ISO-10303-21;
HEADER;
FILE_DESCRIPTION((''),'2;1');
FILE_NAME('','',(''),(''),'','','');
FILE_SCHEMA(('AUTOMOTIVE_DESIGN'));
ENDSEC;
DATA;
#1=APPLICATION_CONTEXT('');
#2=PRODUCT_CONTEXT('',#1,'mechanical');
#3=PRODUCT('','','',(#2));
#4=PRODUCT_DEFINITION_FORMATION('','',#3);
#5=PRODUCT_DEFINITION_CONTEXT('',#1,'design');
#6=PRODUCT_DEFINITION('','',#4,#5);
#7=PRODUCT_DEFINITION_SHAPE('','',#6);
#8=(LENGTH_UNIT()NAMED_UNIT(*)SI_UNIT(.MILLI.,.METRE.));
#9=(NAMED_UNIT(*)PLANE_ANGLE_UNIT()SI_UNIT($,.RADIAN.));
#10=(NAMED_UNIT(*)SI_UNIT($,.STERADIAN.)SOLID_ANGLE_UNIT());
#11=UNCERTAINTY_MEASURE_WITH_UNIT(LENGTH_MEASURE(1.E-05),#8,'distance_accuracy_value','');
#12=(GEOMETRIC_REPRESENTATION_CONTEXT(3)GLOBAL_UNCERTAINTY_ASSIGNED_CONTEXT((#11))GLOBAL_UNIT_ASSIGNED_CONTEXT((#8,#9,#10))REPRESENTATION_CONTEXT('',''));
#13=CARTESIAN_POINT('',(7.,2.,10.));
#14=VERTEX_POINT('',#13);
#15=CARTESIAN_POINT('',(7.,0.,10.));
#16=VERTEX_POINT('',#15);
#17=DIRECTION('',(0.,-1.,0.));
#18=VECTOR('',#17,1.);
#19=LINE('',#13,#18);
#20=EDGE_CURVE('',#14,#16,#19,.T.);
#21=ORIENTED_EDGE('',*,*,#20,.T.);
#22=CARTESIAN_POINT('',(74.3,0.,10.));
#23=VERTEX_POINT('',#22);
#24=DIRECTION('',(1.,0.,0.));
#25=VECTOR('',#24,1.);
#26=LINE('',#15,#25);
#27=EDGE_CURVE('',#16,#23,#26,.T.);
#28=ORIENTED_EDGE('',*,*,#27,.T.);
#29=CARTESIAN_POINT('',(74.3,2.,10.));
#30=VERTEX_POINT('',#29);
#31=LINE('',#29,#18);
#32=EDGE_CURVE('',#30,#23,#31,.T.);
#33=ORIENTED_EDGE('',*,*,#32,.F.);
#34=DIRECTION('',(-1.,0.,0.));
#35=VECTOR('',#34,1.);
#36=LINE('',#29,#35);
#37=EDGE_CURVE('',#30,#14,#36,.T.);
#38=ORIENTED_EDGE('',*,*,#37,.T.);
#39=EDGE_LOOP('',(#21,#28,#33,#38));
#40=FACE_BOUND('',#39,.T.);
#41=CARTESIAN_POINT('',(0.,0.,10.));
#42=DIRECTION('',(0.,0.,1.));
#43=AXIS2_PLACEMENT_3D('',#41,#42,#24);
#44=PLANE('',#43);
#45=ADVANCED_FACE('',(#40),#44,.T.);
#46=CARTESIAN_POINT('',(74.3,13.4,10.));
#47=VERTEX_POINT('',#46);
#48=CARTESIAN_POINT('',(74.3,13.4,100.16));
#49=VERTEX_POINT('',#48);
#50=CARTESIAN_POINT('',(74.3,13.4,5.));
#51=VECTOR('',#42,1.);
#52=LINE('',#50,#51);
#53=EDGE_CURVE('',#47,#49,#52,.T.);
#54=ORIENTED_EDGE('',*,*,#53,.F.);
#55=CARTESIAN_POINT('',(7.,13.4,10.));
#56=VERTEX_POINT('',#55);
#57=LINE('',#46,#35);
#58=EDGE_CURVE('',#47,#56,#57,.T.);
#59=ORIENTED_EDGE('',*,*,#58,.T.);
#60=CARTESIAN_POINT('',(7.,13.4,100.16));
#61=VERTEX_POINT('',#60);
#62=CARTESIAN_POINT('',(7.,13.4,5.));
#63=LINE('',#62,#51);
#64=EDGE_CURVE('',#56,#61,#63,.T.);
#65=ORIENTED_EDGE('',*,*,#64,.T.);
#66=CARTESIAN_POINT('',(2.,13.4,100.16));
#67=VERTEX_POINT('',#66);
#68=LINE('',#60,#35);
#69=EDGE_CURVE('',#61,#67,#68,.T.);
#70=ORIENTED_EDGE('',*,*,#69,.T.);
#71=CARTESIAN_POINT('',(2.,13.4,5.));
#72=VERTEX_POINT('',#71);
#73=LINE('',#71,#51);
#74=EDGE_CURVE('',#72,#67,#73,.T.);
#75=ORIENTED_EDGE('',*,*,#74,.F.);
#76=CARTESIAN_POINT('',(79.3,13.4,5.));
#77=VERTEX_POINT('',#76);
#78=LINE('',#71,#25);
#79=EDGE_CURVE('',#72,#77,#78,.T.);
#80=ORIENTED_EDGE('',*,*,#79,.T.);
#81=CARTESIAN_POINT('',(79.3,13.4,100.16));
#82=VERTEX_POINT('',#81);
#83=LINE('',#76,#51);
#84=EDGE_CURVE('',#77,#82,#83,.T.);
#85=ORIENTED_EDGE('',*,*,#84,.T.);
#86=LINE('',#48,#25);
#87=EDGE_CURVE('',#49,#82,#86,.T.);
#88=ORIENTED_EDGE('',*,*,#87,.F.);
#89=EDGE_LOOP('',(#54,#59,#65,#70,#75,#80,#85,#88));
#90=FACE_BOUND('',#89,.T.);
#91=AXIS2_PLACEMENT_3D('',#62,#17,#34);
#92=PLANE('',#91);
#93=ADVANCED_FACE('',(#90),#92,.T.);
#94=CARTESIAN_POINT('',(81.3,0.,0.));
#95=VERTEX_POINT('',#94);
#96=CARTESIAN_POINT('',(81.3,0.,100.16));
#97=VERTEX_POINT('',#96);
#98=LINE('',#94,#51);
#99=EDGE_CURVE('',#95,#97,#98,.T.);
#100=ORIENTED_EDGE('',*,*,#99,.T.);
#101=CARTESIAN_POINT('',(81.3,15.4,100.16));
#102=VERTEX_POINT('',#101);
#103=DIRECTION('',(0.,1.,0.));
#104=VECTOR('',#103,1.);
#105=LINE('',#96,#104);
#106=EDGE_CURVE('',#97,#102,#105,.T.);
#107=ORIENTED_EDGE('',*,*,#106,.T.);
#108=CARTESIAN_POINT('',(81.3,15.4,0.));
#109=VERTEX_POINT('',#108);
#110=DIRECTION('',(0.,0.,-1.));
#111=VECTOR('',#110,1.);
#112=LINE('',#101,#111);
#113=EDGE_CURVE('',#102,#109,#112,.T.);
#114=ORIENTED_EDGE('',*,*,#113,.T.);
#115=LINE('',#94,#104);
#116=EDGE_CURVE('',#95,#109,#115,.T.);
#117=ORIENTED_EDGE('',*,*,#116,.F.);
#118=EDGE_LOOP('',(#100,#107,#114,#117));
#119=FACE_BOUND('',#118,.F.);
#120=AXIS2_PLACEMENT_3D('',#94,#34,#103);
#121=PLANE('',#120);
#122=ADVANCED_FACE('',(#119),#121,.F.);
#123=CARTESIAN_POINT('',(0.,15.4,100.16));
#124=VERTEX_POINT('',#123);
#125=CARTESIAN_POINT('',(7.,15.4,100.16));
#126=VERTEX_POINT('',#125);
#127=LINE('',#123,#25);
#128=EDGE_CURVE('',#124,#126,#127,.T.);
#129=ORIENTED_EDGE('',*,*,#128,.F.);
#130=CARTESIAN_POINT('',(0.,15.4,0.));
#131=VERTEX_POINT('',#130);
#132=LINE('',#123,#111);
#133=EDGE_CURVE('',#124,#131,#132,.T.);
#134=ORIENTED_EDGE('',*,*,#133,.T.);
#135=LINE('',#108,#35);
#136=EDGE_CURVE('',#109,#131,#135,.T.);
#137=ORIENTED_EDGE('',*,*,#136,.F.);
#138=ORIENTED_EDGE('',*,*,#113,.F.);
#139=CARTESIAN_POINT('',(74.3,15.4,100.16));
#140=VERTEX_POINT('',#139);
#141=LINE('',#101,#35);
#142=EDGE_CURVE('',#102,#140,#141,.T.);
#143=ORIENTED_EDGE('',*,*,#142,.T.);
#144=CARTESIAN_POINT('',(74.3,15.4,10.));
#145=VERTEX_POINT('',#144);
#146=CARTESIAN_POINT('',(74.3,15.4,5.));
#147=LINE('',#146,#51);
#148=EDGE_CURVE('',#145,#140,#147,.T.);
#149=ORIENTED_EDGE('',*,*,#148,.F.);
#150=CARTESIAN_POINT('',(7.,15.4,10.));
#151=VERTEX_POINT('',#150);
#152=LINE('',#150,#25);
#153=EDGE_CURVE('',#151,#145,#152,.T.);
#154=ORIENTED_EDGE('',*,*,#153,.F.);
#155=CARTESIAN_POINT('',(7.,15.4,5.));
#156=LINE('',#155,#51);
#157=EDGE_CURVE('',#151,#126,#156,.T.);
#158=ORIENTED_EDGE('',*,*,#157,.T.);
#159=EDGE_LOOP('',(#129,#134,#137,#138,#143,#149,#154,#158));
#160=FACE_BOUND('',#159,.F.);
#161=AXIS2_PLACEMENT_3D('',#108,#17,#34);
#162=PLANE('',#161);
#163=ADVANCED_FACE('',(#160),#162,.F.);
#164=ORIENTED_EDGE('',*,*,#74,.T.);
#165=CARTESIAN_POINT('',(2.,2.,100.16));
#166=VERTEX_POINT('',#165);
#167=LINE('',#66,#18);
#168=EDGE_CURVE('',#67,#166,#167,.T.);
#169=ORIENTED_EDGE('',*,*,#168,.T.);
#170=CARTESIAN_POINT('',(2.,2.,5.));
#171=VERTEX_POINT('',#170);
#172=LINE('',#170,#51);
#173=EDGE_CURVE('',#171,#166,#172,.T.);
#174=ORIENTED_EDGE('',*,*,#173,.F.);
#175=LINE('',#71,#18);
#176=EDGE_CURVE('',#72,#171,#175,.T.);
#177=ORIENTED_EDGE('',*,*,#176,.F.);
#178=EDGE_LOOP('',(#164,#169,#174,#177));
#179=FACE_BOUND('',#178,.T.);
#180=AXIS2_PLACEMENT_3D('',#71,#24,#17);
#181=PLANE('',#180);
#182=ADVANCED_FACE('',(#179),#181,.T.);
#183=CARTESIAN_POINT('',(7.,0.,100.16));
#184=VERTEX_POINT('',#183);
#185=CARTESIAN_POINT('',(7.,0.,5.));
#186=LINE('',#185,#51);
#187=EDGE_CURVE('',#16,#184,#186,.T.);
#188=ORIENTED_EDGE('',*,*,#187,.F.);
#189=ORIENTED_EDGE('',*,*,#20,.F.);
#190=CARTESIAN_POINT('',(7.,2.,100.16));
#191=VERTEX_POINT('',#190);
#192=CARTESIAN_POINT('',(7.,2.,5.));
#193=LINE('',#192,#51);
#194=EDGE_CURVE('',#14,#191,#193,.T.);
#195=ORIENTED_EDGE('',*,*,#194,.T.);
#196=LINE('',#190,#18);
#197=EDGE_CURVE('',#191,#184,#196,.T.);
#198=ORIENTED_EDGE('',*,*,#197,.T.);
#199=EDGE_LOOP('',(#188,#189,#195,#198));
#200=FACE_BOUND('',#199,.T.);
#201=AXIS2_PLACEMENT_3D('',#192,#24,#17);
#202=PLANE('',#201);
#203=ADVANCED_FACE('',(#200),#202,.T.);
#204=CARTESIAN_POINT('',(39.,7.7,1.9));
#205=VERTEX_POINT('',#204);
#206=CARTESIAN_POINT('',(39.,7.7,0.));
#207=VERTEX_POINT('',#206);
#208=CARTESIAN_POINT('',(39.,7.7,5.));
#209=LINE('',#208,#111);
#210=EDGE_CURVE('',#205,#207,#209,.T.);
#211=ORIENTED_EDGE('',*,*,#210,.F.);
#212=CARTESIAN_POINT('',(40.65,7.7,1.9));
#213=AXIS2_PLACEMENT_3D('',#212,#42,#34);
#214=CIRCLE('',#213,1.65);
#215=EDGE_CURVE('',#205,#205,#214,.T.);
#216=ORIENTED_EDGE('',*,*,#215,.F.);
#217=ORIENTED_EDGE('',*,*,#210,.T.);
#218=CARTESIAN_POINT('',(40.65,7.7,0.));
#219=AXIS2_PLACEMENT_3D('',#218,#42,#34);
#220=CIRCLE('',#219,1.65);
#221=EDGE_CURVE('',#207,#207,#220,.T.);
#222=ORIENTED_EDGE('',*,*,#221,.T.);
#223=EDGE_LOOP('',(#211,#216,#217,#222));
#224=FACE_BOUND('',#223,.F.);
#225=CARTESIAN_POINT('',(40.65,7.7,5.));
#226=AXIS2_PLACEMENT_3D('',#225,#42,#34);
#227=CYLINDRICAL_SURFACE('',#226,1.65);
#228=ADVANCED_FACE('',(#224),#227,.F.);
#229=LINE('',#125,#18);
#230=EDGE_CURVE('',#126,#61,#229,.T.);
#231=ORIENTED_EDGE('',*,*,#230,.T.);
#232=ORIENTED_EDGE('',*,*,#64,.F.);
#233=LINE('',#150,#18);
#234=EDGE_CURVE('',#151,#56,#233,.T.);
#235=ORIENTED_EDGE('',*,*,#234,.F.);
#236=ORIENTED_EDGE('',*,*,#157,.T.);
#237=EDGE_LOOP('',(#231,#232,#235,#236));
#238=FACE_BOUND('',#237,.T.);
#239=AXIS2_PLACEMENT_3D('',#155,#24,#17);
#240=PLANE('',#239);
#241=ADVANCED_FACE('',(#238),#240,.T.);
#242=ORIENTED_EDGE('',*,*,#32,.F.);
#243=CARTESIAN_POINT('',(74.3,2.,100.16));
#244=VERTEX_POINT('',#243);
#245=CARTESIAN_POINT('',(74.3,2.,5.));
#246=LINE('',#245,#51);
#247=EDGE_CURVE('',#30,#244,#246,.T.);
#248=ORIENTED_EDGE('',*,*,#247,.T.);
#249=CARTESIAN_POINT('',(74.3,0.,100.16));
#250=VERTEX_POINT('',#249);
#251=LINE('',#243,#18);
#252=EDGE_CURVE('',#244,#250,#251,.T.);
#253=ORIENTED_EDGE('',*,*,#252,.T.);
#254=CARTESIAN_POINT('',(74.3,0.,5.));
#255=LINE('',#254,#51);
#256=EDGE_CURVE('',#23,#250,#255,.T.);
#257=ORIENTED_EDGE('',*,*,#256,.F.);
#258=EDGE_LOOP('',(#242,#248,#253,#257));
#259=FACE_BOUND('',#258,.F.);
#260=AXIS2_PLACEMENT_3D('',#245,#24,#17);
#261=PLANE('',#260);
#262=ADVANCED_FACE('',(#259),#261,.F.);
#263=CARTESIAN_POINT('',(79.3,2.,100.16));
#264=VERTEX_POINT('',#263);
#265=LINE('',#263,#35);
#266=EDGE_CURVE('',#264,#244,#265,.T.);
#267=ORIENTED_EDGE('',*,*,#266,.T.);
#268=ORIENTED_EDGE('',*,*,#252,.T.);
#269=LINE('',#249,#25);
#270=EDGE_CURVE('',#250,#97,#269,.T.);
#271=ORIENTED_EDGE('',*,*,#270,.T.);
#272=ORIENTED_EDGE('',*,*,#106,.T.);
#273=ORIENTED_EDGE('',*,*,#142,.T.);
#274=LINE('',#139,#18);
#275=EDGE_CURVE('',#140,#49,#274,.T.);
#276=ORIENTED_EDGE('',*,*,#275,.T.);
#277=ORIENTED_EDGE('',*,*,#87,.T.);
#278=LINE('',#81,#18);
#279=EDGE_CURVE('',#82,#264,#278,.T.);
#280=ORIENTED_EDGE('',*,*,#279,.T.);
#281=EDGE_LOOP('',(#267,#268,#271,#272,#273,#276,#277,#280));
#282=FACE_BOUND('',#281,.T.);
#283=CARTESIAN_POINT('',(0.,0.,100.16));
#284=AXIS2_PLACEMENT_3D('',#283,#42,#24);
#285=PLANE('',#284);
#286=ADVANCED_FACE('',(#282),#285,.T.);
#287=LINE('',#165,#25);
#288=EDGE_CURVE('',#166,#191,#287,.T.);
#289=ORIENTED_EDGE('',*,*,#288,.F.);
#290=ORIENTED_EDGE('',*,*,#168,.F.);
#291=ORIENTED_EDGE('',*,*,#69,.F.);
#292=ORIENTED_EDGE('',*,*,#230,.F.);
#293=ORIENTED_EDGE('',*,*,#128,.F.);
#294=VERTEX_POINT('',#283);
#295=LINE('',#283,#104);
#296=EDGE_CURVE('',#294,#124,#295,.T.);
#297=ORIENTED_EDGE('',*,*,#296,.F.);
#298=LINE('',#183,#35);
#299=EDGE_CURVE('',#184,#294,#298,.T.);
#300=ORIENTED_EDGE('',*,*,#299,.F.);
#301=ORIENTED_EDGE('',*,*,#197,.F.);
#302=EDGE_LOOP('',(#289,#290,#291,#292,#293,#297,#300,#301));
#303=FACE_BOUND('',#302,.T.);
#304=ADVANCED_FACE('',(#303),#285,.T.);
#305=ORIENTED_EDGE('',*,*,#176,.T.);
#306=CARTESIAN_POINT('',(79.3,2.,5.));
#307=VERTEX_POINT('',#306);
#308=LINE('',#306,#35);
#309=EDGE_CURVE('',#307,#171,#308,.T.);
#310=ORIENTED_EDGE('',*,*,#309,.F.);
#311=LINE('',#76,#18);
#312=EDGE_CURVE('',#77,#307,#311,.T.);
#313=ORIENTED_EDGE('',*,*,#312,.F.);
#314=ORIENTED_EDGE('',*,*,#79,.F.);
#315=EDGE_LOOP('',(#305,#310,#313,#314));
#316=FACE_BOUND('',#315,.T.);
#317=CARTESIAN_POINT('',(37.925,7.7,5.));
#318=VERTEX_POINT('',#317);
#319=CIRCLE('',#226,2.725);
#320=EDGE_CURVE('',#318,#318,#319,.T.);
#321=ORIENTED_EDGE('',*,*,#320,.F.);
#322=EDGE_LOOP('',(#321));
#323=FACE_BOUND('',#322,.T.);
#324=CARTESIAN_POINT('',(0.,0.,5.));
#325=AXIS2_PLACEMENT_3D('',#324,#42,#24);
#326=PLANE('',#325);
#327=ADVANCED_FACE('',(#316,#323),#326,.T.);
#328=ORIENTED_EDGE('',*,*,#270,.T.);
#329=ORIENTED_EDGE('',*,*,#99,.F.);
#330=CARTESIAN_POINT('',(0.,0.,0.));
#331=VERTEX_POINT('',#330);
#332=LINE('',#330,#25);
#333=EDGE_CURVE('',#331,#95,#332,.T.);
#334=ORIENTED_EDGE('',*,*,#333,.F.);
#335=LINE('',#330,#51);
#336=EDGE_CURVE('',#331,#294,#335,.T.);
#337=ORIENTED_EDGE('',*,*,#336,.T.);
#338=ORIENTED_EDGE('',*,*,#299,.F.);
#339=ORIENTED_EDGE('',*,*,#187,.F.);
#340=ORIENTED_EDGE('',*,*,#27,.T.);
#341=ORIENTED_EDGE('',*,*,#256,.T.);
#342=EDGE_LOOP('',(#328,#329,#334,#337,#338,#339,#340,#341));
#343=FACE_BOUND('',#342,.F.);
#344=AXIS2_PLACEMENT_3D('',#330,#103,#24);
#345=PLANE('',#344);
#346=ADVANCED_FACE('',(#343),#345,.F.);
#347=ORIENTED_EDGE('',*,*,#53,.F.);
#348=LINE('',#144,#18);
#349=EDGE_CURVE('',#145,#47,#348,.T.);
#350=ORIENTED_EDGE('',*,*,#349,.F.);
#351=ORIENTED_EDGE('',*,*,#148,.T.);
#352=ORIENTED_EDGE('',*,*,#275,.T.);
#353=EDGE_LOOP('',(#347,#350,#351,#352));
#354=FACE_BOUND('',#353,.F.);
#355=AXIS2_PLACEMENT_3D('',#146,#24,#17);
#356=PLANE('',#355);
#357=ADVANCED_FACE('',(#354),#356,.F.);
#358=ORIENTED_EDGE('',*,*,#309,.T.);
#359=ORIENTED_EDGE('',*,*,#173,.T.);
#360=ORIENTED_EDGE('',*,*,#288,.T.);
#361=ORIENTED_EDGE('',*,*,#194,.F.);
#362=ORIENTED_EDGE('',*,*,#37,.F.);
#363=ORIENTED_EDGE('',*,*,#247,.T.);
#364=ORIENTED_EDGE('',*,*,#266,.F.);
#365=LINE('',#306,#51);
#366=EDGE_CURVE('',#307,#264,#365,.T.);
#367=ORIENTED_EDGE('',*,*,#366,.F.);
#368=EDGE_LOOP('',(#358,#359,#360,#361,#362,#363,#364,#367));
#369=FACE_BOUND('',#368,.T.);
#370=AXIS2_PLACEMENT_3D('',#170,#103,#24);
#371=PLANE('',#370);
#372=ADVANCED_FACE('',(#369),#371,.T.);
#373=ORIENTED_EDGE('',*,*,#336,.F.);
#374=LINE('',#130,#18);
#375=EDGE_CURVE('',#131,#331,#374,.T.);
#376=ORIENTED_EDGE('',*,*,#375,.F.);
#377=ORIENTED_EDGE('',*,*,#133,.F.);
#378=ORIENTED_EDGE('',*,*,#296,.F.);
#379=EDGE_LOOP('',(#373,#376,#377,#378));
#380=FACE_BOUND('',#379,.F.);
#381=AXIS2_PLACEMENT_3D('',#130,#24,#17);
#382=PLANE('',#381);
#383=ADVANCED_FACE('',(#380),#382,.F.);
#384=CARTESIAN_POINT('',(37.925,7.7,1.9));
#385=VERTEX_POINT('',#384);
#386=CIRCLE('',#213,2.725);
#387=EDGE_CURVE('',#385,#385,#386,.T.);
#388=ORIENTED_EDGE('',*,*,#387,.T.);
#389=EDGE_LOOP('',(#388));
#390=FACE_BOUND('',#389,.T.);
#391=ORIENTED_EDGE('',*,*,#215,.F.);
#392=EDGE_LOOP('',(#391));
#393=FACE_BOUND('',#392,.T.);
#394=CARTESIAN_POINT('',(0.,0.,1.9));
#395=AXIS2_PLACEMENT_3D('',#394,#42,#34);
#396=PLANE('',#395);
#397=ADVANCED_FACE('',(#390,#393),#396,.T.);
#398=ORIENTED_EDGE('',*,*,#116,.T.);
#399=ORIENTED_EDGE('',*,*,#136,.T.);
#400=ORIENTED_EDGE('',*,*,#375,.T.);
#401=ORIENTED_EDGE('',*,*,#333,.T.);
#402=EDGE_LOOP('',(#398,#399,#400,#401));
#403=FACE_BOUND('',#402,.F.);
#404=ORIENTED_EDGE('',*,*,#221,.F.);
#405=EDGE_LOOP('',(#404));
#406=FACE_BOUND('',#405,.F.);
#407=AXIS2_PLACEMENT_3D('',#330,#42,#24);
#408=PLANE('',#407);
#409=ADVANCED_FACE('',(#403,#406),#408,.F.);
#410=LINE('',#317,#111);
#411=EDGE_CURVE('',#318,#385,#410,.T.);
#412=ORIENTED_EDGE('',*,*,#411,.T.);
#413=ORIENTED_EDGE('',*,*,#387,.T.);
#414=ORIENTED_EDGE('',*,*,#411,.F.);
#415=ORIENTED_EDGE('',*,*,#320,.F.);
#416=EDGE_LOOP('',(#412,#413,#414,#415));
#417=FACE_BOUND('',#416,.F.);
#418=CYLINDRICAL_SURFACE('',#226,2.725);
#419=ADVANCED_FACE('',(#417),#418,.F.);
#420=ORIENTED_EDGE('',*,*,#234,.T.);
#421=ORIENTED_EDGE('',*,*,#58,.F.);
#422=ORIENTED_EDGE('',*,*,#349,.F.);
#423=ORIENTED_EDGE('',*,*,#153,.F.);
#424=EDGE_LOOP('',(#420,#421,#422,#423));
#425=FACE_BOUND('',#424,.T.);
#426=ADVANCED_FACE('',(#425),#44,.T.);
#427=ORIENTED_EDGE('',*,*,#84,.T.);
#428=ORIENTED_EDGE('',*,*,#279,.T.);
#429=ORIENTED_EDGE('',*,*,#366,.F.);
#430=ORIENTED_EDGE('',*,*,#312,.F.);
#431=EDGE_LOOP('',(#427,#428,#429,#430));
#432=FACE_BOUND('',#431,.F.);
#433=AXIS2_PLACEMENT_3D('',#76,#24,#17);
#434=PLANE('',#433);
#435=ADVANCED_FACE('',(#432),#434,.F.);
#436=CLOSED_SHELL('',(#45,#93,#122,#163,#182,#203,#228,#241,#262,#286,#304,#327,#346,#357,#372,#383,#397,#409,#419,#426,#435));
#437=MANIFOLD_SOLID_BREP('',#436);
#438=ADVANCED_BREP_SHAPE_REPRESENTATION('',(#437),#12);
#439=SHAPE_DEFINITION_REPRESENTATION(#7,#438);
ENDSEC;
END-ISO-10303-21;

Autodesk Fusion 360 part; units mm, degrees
sketch "Sketch1" plane through (0, 0, 0) normal (0, 0, 1) x (1, 0, 0)
  line L0 (0, 0) -> (81.3, 0)
  line L1 (81.3, 0) -> (81.3, 15.4)
  line L2 (81.3, 15.4) -> (0, 15.4)
  line L3 (0, 15.4) -> (0, 0)
  dimension "d8" = 81.3
  dimension "d9" = 15.4
extrude "Extrude1" add sketch "Sketch1" along normal blind 5
sketch "Sketch2" plane through (0, 0, 5) normal (0, 0, 1) x (-1, 0, 0)
  line L0 (0, -15.4) -> (0, 0)
  line L1 (0, 0) -> (-81.3, 0)
  line L2 (-81.3, 0) -> (-81.3, -15.4)
  line L3 (-81.3, -15.4) -> (0, -15.4)
  circle A0 centre (-40.65, -7.7) radius 1.65
  circle A1 centre (-40.65, -7.7) radius 2.725
  dimension "d16" = 3.3
  dimension "d17" = 40.65
  dimension "d18" = 7.7
  dimension "d19" = 5.45
extrude "Extrude2" cut sketch "Sketch2" against normal blind 5 contours A0
extrude "Extrude3" cut sketch "Sketch2" against normal blind 3.1 contours A1
sketch "Sketch3" plane through (0, 0, 5) normal (0, 0, 1) x (1, 0, 0)
  line L0 (40.65, 14.9854) -> (40.65, -0.0146) construction
  line L1 (0, 15.4) -> (0, 0) construction
  line L2 (74.3, 15.4) -> (74.3, 13.4)
  line L3 (74.3, 13.4) -> (79.3, 13.4)
  line L4 (79.3, 13.4) -> (79.3, 2)
  line L5 (79.3, 2) -> (74.3, 2)
  line L6 (74.3, 2) -> (74.3, 0)
  line L7 (74.3, 0) -> (81.3, 0)
  line L8 (81.3, 0) -> (81.3, 15.4)
  line L9 (81.3, 15.4) -> (74.3, 15.4)
  line L10 (0, 0) -> (0, 15.4)
  line L11 (2, 13.4) -> (2, 2)
  line L12 (2, 2) -> (7, 2)
  line L13 (7, 13.4) -> (2, 13.4)
  line L14 (7, 0) -> (0, 0)
  line L15 (7, 15.4) -> (7, 13.4)
  line L16 (0, 15.4) -> (7, 15.4)
  line L17 (7, 2) -> (7, 0)
  line L18 (7, 15.4) -> (74.3, 15.4)
  line L19 (74.3, 15.4) -> (74.3, 13.4)
  line L20 (74.3, 13.4) -> (7, 13.4)
  line L21 (7, 13.4) -> (7, 15.4)
  line L22 (74.3, 2) -> (7, 2)
  line L23 (7, 2) -> (7, 0)
  line L24 (7, 0) -> (74.3, 0)
  line L25 (74.3, 0) -> (74.3, 2)
  point P0 (81.3, 0)
  dimension "d24" = 40.65
  dimension "d25" = 2
  dimension "d26" = 15.4
  dimension "d27" = 2
  dimension "d29" = 5
extrude "Extrude4" add sketch "Sketch3" along normal blind 95.16 contours L2 L3 L4 L5 L6 L7 L8 L9 L19 L25 | L10 L11 L12 L13 L14 L15 L16 L17 L21 L23
extrude "Extrude5" add sketch "Sketch3" along normal blind 5 contours L2 L15 L18 L19 L20 L21 | L6 L17 L22 L23 L24 L25
equation "pw = 74.8 mm"
equation "pd = 8.9 mm"
equation "ph = 158.6 mm"
equation "clearance = 1.25 mm"
equation "wall_thick = 2 mm"
equation "outer_w = 2 * clearance + 2 * wall_thick + pw"
equation "outer_d = 2 * clearance + 2 * wall_thick + pd"
equation "d8 = outer_w"
equation "d9 = outer_d"
equation "d17 = outer_w / 2"
equation "d18 = outer_d / 2"
equation "d24 = outer_w / 2"
equation "d25 = wall_thick"
equation "d26 = outer_d"
equation "d27 = wall_thick"
equation "d30 = ph * 0.6"
